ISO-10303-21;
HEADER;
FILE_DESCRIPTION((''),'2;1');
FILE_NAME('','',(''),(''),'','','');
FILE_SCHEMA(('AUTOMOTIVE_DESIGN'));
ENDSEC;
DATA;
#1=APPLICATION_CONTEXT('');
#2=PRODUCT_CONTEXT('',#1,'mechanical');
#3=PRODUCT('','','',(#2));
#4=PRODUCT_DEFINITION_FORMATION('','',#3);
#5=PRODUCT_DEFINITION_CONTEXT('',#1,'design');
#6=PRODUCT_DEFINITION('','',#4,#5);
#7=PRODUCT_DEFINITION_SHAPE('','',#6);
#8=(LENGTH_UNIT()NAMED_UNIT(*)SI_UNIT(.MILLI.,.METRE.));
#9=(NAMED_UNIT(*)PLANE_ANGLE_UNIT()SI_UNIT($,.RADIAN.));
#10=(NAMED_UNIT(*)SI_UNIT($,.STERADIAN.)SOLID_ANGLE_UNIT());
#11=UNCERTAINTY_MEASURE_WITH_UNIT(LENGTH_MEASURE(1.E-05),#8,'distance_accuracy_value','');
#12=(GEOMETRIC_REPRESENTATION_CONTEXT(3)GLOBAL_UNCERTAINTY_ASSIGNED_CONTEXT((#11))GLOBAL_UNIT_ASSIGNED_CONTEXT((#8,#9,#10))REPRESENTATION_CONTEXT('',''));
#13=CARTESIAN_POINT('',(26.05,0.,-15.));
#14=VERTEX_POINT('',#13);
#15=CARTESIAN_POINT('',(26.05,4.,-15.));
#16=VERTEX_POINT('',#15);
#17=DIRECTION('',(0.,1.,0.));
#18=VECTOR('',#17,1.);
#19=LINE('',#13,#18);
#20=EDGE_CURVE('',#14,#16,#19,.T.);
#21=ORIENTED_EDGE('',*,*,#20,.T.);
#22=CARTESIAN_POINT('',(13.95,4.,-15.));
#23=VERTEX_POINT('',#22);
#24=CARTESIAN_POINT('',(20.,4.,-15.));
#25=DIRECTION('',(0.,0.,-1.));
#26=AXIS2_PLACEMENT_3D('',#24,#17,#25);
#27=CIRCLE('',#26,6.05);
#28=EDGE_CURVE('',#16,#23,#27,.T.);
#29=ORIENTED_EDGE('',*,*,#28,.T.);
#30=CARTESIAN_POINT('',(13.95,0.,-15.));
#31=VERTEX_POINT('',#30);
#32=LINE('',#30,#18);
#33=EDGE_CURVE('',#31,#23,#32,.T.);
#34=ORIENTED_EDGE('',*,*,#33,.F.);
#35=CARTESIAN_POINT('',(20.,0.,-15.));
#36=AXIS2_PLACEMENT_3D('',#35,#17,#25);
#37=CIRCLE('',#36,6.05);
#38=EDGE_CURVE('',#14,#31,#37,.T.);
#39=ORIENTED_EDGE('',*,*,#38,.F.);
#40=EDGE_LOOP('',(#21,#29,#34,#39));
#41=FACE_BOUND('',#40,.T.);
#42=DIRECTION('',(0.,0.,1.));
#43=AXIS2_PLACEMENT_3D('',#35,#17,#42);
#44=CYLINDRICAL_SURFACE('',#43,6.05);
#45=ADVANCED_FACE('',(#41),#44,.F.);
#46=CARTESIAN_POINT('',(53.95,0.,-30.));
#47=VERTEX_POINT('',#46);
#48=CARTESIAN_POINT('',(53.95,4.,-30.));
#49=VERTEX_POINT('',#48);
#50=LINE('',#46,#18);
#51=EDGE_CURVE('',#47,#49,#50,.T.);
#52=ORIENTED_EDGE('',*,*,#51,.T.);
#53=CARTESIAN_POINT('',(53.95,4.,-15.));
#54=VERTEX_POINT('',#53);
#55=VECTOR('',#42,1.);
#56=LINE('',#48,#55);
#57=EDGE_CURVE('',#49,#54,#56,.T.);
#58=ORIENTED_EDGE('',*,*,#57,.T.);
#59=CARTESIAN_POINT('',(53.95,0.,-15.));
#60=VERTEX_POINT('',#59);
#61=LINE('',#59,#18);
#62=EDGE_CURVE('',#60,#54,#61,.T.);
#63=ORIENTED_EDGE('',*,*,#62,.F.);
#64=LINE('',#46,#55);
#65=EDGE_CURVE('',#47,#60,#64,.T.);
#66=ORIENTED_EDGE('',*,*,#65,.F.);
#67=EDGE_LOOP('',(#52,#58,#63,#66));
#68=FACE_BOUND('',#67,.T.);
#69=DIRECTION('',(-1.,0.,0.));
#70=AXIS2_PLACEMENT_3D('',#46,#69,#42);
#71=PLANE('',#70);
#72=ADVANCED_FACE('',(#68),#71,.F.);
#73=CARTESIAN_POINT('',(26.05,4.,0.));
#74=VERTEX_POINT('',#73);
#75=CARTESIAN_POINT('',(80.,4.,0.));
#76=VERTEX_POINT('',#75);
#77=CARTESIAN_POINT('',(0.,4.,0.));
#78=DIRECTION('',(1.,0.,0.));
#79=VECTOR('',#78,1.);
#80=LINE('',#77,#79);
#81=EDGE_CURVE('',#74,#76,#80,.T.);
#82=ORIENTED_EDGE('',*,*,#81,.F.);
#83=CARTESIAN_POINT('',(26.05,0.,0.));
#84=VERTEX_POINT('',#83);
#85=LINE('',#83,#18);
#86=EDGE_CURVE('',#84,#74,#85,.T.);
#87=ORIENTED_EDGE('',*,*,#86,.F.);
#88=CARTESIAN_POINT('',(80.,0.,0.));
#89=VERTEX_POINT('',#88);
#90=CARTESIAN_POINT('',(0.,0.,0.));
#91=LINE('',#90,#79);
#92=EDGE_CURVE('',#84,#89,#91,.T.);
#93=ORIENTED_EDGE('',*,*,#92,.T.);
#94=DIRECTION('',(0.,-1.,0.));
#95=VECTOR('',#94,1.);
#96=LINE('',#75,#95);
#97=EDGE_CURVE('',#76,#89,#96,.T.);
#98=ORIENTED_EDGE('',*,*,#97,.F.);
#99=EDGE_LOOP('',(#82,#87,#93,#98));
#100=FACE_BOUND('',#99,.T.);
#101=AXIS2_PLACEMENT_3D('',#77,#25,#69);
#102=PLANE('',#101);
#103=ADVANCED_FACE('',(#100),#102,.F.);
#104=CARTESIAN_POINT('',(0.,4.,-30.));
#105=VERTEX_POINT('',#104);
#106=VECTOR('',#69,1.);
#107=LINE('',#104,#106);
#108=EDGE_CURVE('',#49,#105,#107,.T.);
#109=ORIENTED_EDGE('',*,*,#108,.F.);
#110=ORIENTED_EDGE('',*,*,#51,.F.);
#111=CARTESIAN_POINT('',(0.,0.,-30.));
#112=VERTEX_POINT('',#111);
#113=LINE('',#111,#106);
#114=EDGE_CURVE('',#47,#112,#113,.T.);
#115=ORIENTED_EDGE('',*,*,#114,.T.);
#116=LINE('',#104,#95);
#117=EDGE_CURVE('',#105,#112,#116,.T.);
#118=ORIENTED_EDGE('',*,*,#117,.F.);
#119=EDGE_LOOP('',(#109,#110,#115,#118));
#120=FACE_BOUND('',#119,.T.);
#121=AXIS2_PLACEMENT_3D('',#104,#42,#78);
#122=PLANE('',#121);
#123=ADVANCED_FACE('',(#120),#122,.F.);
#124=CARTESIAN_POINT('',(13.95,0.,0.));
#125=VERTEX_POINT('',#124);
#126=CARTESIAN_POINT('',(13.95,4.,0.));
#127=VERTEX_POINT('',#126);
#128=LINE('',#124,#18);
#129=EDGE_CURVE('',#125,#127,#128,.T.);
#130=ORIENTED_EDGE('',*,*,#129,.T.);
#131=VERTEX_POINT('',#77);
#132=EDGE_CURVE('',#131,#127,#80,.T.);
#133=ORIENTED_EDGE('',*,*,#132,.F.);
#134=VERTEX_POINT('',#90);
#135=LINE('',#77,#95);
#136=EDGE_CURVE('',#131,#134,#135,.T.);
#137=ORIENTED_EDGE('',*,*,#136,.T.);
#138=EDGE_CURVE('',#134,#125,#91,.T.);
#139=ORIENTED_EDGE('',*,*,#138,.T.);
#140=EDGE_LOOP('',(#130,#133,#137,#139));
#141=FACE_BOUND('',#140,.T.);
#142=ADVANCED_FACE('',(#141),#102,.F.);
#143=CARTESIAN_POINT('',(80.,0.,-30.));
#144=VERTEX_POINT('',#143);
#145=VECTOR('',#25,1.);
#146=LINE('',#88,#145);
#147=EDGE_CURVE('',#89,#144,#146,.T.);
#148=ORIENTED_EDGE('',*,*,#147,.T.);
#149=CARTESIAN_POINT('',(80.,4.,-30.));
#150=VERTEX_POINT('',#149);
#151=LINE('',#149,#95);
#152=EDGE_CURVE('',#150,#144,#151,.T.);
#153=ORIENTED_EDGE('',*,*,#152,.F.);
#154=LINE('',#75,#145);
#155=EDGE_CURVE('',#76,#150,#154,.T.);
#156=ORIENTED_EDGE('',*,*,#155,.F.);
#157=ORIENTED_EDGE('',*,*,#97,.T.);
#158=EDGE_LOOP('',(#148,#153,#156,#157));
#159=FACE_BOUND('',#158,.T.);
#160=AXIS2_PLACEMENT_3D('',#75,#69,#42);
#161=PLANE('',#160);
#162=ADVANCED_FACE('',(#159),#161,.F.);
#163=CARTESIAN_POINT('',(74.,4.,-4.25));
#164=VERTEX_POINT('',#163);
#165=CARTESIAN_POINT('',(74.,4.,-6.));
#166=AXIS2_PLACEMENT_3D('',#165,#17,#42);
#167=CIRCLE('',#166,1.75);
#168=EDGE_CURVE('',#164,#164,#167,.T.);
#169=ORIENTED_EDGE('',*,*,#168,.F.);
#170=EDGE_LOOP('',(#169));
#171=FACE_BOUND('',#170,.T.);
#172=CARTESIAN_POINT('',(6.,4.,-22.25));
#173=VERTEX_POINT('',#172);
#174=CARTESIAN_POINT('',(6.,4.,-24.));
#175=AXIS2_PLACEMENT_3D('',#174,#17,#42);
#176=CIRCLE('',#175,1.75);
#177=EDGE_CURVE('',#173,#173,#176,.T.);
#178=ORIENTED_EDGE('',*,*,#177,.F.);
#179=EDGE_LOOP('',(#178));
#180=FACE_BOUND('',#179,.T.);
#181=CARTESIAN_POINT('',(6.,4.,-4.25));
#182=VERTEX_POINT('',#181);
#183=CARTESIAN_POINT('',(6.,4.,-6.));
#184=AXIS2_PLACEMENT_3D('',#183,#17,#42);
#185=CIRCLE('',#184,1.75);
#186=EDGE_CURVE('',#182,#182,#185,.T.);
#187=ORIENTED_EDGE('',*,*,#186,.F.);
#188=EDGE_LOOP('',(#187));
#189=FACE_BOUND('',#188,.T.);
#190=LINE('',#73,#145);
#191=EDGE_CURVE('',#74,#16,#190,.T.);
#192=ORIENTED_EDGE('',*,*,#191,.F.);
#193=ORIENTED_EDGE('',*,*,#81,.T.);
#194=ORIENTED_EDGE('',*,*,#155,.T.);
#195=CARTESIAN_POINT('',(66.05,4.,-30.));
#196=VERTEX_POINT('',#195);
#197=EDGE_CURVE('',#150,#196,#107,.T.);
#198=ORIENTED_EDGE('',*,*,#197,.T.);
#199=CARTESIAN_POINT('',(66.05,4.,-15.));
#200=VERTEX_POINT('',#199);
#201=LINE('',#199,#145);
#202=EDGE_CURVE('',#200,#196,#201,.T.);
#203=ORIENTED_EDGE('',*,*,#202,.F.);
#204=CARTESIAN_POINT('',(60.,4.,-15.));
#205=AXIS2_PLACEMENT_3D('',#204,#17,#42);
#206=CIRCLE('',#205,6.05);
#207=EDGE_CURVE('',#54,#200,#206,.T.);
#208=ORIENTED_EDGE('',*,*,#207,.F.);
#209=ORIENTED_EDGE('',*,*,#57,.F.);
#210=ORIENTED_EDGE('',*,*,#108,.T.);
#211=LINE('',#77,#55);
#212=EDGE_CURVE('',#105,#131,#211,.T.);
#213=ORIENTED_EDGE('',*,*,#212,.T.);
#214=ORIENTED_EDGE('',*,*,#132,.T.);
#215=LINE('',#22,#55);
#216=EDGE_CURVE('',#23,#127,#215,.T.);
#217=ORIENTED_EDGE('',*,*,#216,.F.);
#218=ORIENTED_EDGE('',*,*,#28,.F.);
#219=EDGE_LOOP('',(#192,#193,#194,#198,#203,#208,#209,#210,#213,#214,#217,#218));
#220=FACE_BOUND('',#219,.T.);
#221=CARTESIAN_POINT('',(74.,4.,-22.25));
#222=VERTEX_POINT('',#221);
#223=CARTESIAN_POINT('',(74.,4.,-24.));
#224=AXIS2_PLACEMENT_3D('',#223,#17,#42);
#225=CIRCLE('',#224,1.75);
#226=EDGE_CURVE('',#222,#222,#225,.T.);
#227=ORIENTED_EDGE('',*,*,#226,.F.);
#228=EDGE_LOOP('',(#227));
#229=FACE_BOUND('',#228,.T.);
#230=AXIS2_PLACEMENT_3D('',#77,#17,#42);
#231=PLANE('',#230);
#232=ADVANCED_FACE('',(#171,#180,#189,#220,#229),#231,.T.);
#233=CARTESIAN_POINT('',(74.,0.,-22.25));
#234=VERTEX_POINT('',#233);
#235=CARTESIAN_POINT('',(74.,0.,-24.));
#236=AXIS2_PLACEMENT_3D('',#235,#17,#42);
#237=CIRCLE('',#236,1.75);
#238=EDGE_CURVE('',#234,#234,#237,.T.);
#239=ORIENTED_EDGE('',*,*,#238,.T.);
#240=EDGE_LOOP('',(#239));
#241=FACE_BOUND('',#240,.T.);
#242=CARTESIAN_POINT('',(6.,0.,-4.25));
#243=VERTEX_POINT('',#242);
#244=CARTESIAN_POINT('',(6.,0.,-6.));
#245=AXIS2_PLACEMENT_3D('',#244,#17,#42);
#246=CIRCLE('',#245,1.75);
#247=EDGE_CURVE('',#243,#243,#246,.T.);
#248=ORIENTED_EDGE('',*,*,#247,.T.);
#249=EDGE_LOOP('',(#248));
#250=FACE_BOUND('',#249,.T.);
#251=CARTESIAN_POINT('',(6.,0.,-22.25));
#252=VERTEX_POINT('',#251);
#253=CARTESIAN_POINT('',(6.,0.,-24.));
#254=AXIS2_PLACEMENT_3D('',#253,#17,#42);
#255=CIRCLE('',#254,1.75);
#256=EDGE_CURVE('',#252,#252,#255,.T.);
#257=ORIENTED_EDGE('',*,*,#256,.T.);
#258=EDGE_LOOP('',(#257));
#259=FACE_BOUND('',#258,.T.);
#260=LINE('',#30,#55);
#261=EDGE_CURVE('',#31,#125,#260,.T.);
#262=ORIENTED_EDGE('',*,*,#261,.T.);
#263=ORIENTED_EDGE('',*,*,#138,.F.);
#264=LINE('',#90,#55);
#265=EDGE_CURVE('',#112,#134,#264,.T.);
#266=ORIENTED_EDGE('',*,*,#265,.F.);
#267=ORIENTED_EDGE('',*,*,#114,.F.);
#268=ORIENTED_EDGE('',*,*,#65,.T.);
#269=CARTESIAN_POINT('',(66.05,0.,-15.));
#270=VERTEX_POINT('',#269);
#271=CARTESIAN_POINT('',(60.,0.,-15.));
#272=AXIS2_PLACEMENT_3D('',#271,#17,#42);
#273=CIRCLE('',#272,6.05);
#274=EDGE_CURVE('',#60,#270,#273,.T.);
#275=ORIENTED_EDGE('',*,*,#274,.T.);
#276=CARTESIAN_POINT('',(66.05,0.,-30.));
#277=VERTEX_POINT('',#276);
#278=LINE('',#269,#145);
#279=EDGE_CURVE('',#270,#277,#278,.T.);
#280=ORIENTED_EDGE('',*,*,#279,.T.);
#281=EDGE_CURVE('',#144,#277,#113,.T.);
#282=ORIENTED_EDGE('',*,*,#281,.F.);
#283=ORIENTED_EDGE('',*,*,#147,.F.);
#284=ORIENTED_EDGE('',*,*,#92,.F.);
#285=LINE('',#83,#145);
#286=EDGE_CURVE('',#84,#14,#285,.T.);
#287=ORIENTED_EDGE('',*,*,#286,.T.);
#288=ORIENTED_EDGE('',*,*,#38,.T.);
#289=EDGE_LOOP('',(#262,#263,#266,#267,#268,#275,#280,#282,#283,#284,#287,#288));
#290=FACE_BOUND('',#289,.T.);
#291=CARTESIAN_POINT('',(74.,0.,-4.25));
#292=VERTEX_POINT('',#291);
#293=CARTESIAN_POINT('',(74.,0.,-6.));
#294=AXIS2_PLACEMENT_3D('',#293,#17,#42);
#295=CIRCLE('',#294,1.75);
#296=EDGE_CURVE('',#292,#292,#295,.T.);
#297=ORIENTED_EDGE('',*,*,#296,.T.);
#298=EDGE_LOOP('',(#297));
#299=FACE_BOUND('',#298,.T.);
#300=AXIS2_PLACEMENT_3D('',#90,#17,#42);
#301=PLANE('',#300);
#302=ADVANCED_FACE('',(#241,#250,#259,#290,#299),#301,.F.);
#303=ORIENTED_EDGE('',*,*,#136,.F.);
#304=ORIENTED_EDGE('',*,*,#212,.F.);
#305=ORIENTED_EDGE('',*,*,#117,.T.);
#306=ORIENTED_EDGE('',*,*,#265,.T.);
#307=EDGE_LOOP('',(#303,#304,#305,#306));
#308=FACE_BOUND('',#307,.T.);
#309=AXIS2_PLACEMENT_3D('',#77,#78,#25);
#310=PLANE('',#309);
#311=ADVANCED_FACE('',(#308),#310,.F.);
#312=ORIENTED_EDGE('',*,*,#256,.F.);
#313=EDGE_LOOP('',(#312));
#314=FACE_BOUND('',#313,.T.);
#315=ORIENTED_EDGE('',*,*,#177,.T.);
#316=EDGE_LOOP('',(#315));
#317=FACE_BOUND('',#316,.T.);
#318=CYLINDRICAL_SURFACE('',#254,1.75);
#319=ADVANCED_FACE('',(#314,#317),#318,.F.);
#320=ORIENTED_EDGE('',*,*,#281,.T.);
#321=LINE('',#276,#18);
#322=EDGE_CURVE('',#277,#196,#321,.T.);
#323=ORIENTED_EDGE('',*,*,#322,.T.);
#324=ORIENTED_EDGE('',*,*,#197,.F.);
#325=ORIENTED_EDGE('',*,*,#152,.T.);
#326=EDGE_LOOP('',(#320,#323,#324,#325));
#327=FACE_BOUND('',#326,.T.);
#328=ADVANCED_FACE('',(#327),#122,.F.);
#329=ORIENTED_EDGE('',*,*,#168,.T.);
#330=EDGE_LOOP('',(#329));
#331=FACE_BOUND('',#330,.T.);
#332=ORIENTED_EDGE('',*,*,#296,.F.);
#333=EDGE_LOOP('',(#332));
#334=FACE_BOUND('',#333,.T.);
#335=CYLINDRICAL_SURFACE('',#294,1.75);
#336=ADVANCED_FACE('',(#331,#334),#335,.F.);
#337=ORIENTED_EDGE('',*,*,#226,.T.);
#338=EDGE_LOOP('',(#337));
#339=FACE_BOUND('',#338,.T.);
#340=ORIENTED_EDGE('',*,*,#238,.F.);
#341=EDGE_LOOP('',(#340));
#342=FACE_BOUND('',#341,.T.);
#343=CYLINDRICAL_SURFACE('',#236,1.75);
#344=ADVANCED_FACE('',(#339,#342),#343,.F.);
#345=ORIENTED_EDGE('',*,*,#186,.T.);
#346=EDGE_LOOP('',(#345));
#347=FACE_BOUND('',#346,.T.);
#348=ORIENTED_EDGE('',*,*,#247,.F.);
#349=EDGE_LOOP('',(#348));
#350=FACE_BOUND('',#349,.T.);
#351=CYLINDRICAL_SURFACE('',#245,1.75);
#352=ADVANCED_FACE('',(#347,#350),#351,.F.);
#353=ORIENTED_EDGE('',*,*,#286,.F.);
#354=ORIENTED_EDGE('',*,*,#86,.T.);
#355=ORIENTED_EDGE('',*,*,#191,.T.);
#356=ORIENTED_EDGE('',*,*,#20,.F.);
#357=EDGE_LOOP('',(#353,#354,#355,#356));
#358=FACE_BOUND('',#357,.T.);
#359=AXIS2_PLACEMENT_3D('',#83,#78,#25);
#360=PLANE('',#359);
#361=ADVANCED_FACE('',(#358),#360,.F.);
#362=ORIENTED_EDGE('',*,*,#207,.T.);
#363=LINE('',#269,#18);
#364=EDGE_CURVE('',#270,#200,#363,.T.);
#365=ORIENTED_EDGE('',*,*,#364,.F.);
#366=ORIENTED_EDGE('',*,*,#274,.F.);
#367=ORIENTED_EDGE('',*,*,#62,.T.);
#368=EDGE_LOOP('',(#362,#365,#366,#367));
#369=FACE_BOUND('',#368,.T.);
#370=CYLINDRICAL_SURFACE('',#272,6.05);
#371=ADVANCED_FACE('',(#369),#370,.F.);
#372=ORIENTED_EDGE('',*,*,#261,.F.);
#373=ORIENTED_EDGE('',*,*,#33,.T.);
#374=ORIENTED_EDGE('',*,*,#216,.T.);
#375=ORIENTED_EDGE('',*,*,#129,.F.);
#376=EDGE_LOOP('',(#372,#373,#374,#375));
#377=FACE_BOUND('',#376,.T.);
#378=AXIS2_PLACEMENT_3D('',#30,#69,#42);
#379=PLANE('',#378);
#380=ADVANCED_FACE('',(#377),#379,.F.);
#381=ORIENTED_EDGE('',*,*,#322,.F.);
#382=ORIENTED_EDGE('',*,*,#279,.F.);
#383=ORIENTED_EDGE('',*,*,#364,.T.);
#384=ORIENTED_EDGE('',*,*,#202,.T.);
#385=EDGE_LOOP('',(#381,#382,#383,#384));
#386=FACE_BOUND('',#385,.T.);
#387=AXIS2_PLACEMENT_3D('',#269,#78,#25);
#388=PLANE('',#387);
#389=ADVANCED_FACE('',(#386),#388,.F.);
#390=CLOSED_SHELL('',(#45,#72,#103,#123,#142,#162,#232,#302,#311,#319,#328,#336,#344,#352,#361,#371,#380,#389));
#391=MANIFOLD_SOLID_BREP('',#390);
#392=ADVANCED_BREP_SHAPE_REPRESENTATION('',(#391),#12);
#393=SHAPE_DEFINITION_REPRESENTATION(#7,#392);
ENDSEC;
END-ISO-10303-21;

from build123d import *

# Parameters (mm, degrees)
SKETCH2_W           = 80
SKETCH2_H           = 30
BOSS_EXTRUDE1_DEPTH = 4
SKETCH3_R           = 1.75
CUT_EXTRUDE1_DEPTH  = 5


with BuildPart() as part:
    # Sketch2 → Boss-Extrude1 (new body)
    with BuildSketch(Plane(origin=(0, 0, 0), x_dir=(1, 0, 0), z_dir=(0, 1, 0))):
        with Locations((40, 15)):
            Rectangle(SKETCH2_W, SKETCH2_H)
    extrude(amount=BOSS_EXTRUDE1_DEPTH)

    # Sketch3 → Cut-Extrude1 (cut, through all)
    with BuildSketch(Plane(origin=(0, 4, 0), x_dir=(1, 0, 0), z_dir=(0, 1, 0))):
        with Locations((6, 6)):
            Circle(SKETCH3_R)
        with Locations((6, 24)):
            Circle(SKETCH3_R)
        with Locations((74, 24)):
            Circle(SKETCH3_R)
        with Locations((74, 6)):
            Circle(SKETCH3_R)
        with BuildLine():
            Line((13.95, 0), (26.05, 0))
            Line((26.05, 0), (26.05, 15))
            ThreePointArc((26.05, 15), (20, 21.05), (13.95, 15))
            Line((13.95, 15), (13.95, 0))
        make_face()
        with BuildLine():
            Line((53.95, 30), (53.95, 15))
            ThreePointArc((53.95, 15), (60, 8.95), (66.05, 15))
            Line((66.05, 15), (66.05, 30))
            Line((66.05, 30), (53.95, 30))
        make_face()
    extrude(amount=-CUT_EXTRUDE1_DEPTH, mode=Mode.SUBTRACT)


solid = part.part
